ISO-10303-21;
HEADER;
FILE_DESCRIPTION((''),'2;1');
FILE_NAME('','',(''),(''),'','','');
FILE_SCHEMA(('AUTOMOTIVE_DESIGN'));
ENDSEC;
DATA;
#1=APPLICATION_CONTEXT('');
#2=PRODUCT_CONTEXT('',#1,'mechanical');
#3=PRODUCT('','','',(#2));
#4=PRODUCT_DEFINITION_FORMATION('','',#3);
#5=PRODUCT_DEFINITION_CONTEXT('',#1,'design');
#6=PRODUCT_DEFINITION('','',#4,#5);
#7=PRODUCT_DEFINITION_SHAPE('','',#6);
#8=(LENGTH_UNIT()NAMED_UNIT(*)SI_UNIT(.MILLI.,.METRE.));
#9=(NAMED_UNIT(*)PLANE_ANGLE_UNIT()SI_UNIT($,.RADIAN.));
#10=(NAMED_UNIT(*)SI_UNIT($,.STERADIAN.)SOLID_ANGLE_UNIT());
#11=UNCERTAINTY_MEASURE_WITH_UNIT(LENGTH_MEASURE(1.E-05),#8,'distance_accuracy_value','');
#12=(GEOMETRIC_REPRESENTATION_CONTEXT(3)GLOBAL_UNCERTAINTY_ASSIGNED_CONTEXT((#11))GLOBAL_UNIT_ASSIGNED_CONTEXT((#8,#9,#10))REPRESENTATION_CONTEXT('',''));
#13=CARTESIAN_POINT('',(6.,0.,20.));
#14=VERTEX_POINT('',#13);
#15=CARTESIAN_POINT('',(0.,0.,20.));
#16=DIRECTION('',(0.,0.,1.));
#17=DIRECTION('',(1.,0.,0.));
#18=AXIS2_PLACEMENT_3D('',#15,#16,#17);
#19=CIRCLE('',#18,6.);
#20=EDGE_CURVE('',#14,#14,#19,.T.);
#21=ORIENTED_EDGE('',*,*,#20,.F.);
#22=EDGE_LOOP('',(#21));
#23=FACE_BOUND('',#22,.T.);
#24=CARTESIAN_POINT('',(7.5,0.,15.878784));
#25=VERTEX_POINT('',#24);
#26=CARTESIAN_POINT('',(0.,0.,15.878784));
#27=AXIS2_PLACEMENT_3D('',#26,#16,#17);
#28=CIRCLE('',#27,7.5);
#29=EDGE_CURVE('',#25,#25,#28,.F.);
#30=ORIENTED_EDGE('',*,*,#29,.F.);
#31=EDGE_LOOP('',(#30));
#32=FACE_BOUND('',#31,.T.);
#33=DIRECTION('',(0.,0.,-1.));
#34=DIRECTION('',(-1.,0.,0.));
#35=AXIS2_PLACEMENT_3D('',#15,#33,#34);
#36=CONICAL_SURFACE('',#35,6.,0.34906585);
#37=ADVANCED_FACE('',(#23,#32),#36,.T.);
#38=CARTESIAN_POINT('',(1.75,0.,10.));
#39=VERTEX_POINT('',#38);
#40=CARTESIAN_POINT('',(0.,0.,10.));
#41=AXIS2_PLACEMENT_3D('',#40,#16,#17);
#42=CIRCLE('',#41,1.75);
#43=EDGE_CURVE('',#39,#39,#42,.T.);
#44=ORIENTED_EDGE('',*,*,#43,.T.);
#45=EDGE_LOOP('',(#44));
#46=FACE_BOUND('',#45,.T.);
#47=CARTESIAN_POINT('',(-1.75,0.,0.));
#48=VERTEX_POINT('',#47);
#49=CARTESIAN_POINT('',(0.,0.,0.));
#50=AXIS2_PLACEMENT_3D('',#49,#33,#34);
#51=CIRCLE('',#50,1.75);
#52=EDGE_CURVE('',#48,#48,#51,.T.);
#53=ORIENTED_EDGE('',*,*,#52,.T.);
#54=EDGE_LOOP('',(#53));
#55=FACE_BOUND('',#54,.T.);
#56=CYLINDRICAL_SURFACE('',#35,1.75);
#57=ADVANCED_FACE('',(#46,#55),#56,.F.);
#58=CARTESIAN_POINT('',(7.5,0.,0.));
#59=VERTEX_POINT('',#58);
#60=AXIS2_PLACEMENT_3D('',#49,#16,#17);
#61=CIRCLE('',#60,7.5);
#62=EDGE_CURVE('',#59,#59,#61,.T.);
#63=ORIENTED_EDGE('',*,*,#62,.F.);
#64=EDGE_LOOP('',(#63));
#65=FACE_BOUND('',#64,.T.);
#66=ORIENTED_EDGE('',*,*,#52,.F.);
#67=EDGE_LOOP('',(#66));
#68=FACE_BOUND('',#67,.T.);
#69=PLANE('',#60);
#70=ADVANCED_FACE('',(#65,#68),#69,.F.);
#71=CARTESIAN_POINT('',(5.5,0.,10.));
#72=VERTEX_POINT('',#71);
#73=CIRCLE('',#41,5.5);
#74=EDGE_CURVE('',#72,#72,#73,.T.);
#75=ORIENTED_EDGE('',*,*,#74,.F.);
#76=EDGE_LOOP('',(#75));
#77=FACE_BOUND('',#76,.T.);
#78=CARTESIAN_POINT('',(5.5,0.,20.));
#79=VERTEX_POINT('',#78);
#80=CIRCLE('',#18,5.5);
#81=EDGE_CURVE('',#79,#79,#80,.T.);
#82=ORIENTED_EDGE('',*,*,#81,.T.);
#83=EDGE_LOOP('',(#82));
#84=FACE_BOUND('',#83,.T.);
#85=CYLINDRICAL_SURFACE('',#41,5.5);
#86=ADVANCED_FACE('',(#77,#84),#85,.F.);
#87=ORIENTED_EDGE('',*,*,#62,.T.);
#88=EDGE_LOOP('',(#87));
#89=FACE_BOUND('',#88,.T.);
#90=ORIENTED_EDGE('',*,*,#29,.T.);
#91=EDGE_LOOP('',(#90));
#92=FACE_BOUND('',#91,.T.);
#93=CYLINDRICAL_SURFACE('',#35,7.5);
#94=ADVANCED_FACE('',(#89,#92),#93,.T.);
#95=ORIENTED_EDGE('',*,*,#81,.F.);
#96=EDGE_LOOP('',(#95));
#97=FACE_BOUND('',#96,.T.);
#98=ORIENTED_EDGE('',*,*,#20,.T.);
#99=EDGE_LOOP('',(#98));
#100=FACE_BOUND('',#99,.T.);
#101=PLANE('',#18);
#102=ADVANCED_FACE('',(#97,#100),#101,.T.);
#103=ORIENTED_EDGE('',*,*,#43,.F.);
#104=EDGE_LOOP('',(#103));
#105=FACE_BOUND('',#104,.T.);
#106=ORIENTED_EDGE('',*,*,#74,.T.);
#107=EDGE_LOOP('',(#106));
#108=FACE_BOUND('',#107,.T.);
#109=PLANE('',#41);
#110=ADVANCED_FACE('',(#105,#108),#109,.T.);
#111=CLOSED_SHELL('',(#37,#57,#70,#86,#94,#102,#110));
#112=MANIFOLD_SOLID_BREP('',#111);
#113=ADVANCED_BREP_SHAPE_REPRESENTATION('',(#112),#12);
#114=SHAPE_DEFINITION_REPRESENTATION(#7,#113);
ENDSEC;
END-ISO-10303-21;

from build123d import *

# Parameters (mm, degrees)
SKETCH1_R           = 7.5
BOSS_EXTRUDE1_DEPTH = 20
SKETCH2_R           = 5.5
CUT_EXTRUDE1_DEPTH  = 10
CHAMFER1_SIZE       = 1.5
CHAMFER1_SIZE2      = 4.121216129
SKETCH3_R           = 1.75
CUT_EXTRUDE2_DEPTH  = 23.638462845


with BuildPart() as part:
    # Sketch1 → Boss-Extrude1 (new body)
    with BuildSketch(Plane.XY):
        Circle(SKETCH1_R)
    extrude(amount=BOSS_EXTRUDE1_DEPTH)

    # Sketch2 → Cut-Extrude1 (cut)
    with BuildSketch(Plane.XY.offset(20)):
        Circle(SKETCH2_R)
    extrude(amount=-CUT_EXTRUDE1_DEPTH, mode=Mode.SUBTRACT)

    # Chamfer1
    chamfer1_edges = [part.edges().sort_by_distance(p)[0] for p in [
        (-7.5, 0, 20),
    ]]
    chamfer1_side = [part.faces().sort_by_distance(p)[0] for p in [
        (-7.287867966, 0, 20),
    ]]
    chamfer(chamfer1_edges, length=CHAMFER1_SIZE, length2=CHAMFER1_SIZE2, reference=chamfer1_side[0])

    # Sketch3 → Cut-Extrude2 (cut, through all)
    with BuildSketch(Plane(origin=(0, 0, 0), x_dir=(-1, 0, 0), z_dir=(0, 0, -1))):
        Circle(SKETCH3_R)
    extrude(amount=-CUT_EXTRUDE2_DEPTH, mode=Mode.SUBTRACT)


solid = part.part
